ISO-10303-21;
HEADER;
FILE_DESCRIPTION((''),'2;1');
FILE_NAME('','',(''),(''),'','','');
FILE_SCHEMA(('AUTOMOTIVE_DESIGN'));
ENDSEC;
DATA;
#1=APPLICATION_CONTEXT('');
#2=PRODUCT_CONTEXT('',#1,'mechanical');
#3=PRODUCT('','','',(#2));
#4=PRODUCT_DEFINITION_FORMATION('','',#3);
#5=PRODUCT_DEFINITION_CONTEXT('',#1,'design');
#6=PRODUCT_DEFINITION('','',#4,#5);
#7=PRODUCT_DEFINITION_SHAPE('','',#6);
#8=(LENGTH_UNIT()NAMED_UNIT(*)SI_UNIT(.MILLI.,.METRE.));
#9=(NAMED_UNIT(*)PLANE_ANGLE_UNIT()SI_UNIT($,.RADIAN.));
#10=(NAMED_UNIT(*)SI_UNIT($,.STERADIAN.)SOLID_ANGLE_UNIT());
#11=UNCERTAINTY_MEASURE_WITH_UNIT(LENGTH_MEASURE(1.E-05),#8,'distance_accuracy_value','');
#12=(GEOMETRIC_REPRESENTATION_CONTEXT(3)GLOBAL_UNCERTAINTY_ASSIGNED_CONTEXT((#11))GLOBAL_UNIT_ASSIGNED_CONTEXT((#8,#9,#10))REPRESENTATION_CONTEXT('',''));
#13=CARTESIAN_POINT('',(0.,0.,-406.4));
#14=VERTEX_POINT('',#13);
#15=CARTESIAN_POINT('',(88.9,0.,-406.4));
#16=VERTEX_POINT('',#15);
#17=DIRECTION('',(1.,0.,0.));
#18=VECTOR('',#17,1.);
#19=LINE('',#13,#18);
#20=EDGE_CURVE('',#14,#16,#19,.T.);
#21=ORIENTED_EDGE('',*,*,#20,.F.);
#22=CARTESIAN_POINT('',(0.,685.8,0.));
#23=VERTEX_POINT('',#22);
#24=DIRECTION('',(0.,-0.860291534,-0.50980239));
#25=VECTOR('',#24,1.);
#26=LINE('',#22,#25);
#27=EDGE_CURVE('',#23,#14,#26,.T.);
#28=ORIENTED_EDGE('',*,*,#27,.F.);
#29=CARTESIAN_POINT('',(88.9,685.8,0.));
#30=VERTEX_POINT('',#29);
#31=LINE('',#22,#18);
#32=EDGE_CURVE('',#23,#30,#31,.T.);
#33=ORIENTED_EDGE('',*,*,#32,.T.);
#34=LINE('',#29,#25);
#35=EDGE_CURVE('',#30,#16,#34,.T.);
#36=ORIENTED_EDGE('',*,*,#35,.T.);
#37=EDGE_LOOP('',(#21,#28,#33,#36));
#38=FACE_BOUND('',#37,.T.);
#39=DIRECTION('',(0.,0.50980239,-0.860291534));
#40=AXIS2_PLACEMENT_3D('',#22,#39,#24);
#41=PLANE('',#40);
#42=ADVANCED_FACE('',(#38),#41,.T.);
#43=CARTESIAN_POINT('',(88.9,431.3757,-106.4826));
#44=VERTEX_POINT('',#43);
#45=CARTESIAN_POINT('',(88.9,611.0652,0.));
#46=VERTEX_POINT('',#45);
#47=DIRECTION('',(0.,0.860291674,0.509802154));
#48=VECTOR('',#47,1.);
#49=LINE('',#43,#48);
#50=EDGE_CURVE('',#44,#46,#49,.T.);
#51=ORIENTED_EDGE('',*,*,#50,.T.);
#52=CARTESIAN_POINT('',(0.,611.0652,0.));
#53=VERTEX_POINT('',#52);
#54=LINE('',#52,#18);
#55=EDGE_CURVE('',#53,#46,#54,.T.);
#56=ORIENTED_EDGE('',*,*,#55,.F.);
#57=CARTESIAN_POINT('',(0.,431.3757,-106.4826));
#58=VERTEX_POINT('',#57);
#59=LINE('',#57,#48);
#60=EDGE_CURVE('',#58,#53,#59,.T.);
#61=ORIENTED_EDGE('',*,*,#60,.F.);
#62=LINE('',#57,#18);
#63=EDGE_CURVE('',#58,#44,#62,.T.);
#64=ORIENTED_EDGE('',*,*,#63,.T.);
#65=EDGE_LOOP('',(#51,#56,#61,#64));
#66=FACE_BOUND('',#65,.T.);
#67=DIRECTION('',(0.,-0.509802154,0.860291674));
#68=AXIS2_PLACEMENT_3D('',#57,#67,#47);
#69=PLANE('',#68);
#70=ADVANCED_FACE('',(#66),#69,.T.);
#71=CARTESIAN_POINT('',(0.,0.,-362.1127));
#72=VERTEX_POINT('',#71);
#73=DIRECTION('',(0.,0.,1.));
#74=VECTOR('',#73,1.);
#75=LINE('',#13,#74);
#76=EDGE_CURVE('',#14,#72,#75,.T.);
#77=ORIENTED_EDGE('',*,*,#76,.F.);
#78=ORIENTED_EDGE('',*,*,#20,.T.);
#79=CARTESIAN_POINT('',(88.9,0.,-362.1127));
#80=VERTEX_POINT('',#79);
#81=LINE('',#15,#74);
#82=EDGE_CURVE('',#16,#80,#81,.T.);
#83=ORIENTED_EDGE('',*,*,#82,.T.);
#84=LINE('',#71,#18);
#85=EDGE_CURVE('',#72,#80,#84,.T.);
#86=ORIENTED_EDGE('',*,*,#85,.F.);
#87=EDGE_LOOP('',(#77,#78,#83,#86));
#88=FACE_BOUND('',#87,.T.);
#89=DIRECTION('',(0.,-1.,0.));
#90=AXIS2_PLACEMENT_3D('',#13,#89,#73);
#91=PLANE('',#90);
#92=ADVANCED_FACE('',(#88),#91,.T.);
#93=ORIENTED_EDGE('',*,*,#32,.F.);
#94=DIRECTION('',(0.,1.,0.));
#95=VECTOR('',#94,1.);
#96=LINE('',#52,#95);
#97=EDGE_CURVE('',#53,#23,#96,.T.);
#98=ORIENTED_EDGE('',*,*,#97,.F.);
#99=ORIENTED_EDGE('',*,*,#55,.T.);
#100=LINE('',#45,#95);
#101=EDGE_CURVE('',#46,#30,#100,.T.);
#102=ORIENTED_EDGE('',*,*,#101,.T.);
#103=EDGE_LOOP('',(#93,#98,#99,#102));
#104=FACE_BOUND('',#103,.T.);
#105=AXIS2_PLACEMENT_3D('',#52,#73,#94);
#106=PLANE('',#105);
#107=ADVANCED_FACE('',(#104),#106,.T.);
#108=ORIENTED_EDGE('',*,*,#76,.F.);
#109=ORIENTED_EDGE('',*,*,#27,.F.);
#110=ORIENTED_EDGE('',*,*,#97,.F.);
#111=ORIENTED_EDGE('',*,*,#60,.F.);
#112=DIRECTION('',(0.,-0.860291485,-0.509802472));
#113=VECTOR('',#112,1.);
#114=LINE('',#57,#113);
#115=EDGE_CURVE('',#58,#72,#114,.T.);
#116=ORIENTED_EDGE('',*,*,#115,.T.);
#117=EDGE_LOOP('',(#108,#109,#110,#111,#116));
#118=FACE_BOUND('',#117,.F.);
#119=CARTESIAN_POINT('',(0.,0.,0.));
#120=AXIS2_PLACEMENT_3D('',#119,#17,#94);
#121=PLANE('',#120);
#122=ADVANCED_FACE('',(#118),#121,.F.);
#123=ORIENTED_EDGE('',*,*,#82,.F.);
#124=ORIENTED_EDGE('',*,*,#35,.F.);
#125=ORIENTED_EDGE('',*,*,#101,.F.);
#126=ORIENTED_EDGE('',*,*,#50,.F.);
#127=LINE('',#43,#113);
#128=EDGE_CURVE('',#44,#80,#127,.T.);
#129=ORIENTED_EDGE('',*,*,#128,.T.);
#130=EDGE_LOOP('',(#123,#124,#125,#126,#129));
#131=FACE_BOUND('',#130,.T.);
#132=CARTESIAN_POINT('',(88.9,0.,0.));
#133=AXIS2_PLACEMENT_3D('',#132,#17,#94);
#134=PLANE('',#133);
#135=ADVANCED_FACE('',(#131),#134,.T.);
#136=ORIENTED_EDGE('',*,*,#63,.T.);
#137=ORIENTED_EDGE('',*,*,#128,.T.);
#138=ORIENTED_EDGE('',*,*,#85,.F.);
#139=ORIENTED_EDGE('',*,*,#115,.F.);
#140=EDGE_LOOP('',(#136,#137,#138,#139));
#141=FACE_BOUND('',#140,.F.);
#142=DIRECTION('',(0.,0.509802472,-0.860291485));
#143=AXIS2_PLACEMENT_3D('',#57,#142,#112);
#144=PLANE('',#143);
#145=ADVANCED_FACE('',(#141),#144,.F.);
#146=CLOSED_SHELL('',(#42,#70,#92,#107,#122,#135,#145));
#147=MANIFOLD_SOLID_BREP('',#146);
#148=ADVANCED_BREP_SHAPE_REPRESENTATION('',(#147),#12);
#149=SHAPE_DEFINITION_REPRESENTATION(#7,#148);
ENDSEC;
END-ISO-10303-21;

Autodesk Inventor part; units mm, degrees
ref_plane "YZ Plane" through (0, 0, 0) normal (1, 0, 0) x (0, 1, 0)
ref_plane "XZ Plane" through (0, 0, 0) normal (0, 1, 0) x (-1, 0, 0)
ref_plane "XY Plane" through (0, 0, 0) normal (0, 0, 1) x (1, 0, 0)
sketch "Sketch1" plane through (0, 0, 0) normal (1, 0, 0) x (0, 1, 0)
  line L0 (0, -406.4) -> (0, -362.1127)
  line L1 (685.8, 0) -> (0, -406.4)
  line L2 (431.3757, -106.4826) -> (611.0652, 0)
  line L3 (431.3757, -106.4826) -> (0, -362.1127)
  line L4 (611.0652, 0) -> (685.8, 0)
  point P0 (0, 0)
extrude "Extrusion1" add sketch "Sketch1" along normal blind 88.9
properties part number "S_2x4x31.38"
